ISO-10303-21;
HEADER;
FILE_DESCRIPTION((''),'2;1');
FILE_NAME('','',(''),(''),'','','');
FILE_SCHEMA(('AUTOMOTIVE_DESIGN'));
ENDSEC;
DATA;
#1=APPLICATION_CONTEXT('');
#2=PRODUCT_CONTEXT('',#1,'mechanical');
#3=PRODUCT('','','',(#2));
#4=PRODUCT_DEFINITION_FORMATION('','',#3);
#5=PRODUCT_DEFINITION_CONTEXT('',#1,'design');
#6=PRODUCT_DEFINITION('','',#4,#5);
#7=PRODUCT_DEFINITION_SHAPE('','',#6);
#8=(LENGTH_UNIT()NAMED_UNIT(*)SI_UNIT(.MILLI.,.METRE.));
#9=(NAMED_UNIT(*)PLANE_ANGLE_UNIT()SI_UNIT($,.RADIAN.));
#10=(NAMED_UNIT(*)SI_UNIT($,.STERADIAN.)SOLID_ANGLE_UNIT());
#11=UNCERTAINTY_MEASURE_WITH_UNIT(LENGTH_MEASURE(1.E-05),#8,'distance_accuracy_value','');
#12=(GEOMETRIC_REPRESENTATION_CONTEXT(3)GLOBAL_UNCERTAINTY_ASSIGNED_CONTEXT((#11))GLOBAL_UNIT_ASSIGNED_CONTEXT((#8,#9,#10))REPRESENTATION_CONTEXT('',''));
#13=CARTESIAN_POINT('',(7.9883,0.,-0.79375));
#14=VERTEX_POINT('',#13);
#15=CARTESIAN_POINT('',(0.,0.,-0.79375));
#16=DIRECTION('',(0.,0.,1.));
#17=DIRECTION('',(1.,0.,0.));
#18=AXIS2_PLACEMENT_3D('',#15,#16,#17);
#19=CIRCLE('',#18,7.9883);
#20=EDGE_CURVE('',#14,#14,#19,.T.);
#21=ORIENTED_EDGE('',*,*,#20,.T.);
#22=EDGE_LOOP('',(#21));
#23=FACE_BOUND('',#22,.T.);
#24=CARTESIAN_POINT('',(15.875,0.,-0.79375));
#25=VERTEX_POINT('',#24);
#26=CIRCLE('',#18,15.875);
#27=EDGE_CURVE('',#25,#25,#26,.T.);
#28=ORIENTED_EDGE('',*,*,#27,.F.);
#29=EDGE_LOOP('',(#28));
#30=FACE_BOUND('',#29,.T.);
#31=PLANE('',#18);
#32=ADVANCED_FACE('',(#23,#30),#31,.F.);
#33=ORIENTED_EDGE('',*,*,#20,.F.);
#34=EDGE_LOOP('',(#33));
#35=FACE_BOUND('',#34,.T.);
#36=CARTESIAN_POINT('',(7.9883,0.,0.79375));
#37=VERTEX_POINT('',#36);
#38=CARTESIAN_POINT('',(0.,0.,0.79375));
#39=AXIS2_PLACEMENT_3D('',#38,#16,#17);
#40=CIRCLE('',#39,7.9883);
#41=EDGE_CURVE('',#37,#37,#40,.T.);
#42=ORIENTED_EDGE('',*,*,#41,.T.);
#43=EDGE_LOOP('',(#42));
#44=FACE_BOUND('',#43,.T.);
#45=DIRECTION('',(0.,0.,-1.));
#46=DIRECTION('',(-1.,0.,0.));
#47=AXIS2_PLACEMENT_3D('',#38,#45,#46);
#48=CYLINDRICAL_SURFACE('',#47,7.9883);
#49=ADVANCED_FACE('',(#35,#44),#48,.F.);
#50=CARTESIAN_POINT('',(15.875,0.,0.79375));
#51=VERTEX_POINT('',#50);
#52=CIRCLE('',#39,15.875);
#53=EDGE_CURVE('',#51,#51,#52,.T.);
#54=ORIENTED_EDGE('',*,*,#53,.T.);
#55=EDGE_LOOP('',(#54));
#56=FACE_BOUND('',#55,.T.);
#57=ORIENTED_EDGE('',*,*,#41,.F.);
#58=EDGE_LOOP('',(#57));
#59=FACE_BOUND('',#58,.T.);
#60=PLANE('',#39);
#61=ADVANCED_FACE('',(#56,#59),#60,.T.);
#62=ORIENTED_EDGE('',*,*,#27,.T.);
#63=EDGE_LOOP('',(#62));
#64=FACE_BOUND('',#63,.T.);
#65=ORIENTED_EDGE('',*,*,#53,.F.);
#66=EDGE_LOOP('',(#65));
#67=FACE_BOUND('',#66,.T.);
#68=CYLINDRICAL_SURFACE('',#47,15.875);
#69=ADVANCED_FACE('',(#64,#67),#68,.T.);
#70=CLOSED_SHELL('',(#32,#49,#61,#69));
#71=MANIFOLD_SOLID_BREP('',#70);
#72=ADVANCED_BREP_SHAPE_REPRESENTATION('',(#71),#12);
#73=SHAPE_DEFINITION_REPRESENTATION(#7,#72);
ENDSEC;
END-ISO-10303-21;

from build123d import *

# Parameters (mm, degrees)
SKETCH3_R           = 15.875
SKETCH3_R_2         = 7.9883
BOSS_EXTRUDE1_DEPTH = 0.79375


with BuildPart() as part:
    # Sketch3 → Boss-Extrude1 (new, symmetric)
    with BuildSketch(Plane.XY):
        Circle(SKETCH3_R)
        Circle(SKETCH3_R_2, mode=Mode.SUBTRACT)
    extrude(amount=BOSS_EXTRUDE1_DEPTH, both=True)


solid = part.part
